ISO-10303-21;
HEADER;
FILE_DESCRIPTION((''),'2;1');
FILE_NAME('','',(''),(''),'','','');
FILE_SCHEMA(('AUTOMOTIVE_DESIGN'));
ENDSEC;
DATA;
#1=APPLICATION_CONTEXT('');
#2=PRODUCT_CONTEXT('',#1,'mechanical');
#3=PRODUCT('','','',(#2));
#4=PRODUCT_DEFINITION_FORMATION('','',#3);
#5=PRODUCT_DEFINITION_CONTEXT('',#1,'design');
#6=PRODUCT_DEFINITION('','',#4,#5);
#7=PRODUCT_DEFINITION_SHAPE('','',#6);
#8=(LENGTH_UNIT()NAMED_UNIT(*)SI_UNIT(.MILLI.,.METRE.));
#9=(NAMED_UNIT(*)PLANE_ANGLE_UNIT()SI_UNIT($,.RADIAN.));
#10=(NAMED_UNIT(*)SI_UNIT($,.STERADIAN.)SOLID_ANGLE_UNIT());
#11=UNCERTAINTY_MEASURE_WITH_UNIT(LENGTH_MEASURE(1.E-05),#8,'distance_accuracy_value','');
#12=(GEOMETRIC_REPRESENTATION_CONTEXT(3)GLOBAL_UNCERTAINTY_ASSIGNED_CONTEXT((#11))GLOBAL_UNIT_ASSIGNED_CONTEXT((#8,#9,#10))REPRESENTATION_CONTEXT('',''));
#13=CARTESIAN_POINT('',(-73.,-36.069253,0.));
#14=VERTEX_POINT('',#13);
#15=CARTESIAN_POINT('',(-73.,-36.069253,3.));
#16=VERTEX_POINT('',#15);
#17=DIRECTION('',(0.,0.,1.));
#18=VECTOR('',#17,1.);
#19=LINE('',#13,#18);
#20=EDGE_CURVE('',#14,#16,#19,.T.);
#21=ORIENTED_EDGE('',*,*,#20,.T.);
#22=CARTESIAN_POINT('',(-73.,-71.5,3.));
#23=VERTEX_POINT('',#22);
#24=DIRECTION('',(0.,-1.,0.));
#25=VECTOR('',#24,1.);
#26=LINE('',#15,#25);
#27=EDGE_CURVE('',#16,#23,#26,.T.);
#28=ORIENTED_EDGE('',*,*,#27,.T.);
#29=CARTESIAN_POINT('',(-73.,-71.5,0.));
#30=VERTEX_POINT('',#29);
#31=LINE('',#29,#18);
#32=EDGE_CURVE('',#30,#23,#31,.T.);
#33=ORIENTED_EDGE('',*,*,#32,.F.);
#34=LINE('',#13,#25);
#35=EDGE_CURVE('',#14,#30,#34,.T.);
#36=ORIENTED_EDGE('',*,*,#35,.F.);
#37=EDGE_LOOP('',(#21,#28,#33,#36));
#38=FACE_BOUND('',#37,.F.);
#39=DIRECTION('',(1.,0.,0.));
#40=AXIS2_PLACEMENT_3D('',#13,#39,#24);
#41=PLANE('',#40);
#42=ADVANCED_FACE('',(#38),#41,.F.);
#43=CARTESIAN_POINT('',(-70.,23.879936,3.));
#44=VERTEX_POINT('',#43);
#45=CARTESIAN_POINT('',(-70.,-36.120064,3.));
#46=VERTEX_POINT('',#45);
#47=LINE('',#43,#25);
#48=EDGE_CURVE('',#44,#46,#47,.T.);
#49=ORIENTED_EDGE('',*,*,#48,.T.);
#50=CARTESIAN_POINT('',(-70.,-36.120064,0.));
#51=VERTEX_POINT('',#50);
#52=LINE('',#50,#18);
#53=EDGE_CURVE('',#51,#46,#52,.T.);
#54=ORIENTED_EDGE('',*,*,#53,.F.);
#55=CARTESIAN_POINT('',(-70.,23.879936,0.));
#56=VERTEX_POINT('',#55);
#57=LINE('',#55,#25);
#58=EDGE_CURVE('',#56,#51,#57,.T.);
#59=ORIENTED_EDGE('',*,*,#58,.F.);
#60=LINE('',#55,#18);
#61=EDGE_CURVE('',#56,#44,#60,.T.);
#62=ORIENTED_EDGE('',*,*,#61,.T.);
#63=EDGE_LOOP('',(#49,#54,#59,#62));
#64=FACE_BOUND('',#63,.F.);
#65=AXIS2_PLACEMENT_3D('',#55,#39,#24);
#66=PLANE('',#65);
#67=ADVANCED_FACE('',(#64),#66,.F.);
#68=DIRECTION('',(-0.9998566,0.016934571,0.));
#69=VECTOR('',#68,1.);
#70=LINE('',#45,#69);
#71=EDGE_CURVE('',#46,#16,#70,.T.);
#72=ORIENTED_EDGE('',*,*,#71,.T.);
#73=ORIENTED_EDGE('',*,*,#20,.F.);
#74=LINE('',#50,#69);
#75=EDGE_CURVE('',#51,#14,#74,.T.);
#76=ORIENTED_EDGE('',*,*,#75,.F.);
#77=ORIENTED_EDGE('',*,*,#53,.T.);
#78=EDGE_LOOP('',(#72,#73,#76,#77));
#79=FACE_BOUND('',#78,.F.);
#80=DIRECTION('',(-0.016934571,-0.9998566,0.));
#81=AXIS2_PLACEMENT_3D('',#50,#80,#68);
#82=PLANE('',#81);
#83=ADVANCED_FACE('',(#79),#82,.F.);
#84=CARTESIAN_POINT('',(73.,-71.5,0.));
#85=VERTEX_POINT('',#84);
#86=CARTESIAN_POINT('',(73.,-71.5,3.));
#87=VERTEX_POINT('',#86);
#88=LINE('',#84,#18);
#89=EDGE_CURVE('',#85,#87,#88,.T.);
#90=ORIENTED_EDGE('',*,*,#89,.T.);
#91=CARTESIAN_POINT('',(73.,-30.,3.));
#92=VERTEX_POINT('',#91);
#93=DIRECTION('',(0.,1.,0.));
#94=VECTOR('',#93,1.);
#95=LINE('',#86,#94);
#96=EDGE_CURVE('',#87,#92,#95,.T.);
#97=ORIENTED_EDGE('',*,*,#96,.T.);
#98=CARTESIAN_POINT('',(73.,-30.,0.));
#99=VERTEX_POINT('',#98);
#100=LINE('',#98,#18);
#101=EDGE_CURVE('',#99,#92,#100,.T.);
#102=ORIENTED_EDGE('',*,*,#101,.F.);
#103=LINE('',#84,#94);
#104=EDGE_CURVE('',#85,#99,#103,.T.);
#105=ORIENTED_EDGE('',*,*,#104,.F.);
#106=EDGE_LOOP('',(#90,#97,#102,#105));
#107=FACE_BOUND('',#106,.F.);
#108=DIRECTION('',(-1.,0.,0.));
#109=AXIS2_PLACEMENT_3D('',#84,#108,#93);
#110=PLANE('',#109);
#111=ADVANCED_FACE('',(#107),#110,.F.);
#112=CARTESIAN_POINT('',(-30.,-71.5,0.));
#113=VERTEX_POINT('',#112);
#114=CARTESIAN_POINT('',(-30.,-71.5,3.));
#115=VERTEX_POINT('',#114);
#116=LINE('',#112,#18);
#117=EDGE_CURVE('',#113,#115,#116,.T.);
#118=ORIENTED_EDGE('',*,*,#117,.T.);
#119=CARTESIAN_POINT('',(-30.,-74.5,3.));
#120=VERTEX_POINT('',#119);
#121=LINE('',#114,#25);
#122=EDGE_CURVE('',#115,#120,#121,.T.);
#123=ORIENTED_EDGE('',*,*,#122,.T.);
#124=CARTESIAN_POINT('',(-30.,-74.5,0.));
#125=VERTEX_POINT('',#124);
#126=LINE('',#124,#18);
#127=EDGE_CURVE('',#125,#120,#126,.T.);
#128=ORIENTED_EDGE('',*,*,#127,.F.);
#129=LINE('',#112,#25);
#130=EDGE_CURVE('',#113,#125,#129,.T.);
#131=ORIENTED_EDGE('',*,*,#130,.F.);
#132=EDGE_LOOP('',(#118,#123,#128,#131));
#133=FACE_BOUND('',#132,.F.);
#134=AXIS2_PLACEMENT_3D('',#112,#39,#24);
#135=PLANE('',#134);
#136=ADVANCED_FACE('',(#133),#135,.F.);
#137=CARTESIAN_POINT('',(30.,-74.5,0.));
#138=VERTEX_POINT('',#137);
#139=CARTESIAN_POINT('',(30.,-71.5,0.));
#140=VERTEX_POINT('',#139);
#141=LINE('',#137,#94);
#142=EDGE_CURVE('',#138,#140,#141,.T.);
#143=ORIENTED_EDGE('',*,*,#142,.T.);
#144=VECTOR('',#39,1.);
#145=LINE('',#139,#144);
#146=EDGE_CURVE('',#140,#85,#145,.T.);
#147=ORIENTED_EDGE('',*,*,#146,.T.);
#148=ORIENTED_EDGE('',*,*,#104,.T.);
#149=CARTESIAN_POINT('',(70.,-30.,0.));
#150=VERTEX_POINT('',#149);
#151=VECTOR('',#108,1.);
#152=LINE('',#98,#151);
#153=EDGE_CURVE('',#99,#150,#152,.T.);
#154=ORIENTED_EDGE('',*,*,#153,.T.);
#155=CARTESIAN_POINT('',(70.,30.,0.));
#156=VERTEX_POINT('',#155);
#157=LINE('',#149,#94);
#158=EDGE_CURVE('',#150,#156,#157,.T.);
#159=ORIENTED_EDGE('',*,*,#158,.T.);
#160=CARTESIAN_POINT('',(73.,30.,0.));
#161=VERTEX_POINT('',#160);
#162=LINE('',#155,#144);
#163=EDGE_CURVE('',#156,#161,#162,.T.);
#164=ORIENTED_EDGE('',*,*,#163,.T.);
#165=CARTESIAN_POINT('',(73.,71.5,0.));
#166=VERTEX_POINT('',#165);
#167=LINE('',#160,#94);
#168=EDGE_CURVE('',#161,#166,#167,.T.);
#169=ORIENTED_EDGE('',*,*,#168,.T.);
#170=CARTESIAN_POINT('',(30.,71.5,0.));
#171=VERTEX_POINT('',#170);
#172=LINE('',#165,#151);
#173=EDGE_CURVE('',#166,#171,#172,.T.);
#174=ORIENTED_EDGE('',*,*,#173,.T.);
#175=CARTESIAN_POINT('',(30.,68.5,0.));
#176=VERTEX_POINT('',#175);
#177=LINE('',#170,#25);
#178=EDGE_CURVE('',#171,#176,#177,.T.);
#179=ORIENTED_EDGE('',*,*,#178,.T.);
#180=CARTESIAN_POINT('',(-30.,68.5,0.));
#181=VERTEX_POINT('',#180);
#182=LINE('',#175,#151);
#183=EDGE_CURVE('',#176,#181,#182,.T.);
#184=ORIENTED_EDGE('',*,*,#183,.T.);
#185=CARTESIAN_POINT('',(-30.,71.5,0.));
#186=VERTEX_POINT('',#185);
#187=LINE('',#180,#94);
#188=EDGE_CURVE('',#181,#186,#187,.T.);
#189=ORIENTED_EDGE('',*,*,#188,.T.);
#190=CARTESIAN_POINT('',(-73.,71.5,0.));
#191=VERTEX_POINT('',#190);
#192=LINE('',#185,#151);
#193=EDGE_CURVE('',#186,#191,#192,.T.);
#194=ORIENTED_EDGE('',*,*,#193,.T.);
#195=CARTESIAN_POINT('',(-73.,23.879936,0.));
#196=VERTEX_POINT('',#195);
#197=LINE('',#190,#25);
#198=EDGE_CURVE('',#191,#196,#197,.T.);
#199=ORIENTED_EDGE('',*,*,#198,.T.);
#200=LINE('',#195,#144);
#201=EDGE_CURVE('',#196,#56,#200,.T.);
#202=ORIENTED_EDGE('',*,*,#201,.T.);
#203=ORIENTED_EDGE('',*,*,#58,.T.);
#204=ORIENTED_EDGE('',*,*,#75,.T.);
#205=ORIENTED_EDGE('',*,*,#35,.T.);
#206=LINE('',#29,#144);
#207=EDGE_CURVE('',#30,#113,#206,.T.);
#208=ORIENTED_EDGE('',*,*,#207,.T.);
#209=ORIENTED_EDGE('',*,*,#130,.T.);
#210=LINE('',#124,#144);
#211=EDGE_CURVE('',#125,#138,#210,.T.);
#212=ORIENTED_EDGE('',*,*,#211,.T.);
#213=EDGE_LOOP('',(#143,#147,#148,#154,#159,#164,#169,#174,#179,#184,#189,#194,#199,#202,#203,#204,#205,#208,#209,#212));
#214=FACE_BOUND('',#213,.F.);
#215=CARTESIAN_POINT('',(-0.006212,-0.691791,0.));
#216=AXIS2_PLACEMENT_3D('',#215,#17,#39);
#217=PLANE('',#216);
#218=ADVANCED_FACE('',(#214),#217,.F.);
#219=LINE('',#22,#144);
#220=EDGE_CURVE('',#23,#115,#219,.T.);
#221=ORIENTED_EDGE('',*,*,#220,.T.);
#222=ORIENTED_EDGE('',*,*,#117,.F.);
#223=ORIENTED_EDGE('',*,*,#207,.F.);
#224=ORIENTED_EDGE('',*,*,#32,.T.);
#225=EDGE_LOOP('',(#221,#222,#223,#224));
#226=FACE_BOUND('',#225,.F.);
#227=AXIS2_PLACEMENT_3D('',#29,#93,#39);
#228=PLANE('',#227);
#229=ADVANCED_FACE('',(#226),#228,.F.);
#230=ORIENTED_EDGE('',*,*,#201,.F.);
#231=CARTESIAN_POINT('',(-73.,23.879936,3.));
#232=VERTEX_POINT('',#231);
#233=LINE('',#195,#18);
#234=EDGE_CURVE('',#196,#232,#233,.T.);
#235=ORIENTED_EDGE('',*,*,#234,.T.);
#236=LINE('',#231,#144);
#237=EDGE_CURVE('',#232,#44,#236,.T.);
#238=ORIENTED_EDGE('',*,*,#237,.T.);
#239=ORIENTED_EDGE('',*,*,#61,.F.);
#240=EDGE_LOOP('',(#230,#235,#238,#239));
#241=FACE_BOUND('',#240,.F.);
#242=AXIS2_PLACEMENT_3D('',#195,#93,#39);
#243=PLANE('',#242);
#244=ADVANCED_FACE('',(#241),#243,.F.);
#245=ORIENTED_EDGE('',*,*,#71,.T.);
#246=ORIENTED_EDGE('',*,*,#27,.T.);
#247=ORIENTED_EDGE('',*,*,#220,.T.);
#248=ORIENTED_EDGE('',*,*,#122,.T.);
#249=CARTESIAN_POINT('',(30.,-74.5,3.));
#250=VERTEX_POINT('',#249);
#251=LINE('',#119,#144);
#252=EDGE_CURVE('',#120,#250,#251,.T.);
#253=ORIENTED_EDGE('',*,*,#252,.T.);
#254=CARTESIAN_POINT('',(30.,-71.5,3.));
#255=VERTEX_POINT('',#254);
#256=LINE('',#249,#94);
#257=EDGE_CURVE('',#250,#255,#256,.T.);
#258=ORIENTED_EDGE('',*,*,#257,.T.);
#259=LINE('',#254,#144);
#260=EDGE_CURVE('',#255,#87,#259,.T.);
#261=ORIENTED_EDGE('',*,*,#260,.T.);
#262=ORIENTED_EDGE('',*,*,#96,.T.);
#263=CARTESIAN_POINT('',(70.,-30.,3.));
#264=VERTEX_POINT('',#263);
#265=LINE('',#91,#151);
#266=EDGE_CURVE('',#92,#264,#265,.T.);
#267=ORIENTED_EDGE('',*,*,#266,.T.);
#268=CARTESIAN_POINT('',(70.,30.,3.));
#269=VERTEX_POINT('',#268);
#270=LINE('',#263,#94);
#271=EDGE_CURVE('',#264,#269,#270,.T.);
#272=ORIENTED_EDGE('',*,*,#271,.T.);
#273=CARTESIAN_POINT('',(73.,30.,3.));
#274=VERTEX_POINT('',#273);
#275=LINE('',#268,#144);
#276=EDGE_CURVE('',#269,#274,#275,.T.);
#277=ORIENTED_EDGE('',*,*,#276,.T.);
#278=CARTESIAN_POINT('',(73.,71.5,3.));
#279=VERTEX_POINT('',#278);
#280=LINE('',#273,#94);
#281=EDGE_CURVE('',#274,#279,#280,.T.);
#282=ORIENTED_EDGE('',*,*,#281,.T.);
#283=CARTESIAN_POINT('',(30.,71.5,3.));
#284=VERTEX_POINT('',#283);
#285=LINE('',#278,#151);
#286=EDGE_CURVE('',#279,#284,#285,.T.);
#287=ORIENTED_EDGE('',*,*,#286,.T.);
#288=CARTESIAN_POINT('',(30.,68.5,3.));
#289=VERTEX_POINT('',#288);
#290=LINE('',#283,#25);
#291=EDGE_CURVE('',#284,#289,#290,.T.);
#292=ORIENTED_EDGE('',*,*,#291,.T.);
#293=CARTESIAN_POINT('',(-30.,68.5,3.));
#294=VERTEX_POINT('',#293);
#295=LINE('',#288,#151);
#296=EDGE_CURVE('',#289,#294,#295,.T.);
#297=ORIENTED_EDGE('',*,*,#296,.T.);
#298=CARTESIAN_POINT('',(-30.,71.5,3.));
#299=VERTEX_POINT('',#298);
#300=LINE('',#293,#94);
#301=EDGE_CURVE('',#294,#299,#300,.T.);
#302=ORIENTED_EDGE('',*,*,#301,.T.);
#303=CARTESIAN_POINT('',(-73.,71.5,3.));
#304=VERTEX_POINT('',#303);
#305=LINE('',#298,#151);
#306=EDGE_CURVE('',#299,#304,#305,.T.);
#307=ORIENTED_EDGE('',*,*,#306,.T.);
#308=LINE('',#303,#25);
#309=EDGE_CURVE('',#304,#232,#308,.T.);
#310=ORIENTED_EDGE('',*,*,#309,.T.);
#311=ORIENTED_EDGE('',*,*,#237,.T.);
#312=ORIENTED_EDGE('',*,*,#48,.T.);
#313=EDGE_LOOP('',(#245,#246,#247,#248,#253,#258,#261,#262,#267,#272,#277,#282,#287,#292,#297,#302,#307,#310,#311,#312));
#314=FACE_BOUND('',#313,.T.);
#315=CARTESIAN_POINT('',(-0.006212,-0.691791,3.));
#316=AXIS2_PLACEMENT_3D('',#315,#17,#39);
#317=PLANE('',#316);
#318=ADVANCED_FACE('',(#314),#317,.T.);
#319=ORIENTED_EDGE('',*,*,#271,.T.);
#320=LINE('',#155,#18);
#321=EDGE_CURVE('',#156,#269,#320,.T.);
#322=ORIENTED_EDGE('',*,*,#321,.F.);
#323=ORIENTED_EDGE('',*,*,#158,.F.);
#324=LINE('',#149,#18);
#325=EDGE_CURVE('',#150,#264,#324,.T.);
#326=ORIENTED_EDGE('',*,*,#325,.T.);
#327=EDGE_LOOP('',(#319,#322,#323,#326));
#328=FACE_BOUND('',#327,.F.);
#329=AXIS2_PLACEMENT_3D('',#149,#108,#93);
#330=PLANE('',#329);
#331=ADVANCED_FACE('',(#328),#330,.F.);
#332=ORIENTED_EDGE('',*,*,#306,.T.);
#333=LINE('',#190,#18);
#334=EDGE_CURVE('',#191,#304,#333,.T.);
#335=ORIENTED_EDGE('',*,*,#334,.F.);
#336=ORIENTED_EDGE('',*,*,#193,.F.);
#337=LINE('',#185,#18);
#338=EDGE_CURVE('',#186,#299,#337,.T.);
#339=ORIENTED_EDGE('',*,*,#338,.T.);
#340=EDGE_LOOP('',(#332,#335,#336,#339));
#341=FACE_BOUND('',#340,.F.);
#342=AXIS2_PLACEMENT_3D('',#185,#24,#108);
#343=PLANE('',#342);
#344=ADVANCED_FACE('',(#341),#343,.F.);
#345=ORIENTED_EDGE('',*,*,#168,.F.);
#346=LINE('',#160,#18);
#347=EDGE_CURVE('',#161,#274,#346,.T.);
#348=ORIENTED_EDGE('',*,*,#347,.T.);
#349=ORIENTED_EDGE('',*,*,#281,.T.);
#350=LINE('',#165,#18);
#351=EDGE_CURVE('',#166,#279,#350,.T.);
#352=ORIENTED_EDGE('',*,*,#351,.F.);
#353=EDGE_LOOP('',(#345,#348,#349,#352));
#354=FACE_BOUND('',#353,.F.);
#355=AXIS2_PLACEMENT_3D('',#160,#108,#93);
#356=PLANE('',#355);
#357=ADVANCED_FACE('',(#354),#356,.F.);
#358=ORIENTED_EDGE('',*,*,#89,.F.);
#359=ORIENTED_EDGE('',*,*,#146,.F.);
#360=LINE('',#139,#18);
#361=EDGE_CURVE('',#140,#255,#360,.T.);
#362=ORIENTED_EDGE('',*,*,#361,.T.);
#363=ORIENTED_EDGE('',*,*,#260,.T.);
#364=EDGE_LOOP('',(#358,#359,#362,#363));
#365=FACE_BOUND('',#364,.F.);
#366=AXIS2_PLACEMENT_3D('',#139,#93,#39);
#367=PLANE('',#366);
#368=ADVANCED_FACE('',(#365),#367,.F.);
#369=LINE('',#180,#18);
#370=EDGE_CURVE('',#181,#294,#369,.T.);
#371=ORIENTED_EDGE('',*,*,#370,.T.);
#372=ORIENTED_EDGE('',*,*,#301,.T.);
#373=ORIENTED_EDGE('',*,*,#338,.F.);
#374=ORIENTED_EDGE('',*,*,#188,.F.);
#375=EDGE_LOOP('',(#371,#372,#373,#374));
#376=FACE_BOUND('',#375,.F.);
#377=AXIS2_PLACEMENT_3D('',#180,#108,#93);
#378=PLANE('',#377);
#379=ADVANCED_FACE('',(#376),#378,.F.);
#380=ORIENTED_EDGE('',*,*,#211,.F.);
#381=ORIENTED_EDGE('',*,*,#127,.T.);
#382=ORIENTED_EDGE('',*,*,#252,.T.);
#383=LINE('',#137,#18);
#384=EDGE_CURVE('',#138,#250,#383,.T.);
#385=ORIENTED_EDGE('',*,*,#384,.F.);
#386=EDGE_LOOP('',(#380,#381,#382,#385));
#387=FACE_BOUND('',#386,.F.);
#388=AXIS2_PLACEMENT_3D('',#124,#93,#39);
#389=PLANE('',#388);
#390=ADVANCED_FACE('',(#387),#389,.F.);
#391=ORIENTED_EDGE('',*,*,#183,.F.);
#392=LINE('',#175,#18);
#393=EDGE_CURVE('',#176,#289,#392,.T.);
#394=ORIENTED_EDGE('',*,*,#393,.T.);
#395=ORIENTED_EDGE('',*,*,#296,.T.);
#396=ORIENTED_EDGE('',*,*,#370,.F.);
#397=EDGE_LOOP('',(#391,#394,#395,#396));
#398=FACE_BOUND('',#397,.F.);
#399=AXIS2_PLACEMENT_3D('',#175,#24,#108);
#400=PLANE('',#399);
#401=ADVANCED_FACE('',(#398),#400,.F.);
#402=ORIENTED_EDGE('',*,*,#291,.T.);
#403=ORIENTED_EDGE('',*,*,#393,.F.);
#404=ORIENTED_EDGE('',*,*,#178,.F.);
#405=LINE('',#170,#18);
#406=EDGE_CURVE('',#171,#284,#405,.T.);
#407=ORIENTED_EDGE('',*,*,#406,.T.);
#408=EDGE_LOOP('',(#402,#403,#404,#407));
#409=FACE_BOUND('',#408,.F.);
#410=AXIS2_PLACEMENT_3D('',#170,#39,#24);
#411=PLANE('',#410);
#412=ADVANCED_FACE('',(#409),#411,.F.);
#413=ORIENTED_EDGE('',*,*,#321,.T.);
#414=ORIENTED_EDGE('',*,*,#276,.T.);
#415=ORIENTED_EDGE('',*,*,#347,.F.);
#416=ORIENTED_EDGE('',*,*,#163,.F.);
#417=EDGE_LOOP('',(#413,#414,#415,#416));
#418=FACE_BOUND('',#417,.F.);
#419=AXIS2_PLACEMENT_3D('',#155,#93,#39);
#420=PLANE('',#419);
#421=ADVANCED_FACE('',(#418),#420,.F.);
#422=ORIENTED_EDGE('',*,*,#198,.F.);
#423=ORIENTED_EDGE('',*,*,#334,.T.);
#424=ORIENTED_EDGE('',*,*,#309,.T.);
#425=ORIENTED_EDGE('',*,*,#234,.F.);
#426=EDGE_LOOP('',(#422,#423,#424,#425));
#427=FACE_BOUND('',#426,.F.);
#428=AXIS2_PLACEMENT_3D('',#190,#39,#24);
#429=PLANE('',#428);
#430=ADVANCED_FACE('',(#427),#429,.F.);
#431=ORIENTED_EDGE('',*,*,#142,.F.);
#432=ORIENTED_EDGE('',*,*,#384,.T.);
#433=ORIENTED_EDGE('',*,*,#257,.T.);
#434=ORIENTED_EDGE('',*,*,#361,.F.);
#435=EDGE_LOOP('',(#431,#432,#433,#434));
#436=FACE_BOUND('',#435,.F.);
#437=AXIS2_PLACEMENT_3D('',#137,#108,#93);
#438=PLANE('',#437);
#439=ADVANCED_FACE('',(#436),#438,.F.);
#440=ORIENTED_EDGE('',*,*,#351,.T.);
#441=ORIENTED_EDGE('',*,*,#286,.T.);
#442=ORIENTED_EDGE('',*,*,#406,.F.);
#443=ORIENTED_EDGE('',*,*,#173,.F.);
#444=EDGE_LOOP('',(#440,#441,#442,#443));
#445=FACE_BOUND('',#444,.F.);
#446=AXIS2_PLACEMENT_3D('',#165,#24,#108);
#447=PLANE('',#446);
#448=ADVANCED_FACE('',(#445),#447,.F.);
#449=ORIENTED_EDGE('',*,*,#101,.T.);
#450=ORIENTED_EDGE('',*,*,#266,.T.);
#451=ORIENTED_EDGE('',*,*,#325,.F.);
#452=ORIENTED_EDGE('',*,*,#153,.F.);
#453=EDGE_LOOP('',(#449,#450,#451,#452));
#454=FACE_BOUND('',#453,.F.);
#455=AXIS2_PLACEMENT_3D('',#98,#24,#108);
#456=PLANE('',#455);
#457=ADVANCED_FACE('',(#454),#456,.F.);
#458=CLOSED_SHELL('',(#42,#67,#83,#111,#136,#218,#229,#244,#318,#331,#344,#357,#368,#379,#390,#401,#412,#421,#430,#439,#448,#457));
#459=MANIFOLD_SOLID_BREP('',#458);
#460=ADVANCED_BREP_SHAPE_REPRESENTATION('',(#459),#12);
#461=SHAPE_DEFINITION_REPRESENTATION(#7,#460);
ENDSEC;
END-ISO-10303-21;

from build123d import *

# Parameters (mm, degrees)
F1_DEPTH = 3


with BuildPart() as f1:
    # F0 (on Top) → F1 (new body)
    with BuildSketch(Plane.XY):
        Polygon((30, -71.5), (73, -71.5), (73, -30), (70, -30), (70, 30), (73, 30), (73, 71.5), (30, 71.5), (30, 68.5), (-30, 68.5), (-30, 71.5), (-73, 71.5), (-73, 23.879936), (-70, 23.879936), (-70, -36.120064), (-73, -36.069253), (-73, -71.5), (-30, -71.5), (-30, -74.5), (30, -74.5), align=None)
    extrude(amount=F1_DEPTH)


solid = f1.part
